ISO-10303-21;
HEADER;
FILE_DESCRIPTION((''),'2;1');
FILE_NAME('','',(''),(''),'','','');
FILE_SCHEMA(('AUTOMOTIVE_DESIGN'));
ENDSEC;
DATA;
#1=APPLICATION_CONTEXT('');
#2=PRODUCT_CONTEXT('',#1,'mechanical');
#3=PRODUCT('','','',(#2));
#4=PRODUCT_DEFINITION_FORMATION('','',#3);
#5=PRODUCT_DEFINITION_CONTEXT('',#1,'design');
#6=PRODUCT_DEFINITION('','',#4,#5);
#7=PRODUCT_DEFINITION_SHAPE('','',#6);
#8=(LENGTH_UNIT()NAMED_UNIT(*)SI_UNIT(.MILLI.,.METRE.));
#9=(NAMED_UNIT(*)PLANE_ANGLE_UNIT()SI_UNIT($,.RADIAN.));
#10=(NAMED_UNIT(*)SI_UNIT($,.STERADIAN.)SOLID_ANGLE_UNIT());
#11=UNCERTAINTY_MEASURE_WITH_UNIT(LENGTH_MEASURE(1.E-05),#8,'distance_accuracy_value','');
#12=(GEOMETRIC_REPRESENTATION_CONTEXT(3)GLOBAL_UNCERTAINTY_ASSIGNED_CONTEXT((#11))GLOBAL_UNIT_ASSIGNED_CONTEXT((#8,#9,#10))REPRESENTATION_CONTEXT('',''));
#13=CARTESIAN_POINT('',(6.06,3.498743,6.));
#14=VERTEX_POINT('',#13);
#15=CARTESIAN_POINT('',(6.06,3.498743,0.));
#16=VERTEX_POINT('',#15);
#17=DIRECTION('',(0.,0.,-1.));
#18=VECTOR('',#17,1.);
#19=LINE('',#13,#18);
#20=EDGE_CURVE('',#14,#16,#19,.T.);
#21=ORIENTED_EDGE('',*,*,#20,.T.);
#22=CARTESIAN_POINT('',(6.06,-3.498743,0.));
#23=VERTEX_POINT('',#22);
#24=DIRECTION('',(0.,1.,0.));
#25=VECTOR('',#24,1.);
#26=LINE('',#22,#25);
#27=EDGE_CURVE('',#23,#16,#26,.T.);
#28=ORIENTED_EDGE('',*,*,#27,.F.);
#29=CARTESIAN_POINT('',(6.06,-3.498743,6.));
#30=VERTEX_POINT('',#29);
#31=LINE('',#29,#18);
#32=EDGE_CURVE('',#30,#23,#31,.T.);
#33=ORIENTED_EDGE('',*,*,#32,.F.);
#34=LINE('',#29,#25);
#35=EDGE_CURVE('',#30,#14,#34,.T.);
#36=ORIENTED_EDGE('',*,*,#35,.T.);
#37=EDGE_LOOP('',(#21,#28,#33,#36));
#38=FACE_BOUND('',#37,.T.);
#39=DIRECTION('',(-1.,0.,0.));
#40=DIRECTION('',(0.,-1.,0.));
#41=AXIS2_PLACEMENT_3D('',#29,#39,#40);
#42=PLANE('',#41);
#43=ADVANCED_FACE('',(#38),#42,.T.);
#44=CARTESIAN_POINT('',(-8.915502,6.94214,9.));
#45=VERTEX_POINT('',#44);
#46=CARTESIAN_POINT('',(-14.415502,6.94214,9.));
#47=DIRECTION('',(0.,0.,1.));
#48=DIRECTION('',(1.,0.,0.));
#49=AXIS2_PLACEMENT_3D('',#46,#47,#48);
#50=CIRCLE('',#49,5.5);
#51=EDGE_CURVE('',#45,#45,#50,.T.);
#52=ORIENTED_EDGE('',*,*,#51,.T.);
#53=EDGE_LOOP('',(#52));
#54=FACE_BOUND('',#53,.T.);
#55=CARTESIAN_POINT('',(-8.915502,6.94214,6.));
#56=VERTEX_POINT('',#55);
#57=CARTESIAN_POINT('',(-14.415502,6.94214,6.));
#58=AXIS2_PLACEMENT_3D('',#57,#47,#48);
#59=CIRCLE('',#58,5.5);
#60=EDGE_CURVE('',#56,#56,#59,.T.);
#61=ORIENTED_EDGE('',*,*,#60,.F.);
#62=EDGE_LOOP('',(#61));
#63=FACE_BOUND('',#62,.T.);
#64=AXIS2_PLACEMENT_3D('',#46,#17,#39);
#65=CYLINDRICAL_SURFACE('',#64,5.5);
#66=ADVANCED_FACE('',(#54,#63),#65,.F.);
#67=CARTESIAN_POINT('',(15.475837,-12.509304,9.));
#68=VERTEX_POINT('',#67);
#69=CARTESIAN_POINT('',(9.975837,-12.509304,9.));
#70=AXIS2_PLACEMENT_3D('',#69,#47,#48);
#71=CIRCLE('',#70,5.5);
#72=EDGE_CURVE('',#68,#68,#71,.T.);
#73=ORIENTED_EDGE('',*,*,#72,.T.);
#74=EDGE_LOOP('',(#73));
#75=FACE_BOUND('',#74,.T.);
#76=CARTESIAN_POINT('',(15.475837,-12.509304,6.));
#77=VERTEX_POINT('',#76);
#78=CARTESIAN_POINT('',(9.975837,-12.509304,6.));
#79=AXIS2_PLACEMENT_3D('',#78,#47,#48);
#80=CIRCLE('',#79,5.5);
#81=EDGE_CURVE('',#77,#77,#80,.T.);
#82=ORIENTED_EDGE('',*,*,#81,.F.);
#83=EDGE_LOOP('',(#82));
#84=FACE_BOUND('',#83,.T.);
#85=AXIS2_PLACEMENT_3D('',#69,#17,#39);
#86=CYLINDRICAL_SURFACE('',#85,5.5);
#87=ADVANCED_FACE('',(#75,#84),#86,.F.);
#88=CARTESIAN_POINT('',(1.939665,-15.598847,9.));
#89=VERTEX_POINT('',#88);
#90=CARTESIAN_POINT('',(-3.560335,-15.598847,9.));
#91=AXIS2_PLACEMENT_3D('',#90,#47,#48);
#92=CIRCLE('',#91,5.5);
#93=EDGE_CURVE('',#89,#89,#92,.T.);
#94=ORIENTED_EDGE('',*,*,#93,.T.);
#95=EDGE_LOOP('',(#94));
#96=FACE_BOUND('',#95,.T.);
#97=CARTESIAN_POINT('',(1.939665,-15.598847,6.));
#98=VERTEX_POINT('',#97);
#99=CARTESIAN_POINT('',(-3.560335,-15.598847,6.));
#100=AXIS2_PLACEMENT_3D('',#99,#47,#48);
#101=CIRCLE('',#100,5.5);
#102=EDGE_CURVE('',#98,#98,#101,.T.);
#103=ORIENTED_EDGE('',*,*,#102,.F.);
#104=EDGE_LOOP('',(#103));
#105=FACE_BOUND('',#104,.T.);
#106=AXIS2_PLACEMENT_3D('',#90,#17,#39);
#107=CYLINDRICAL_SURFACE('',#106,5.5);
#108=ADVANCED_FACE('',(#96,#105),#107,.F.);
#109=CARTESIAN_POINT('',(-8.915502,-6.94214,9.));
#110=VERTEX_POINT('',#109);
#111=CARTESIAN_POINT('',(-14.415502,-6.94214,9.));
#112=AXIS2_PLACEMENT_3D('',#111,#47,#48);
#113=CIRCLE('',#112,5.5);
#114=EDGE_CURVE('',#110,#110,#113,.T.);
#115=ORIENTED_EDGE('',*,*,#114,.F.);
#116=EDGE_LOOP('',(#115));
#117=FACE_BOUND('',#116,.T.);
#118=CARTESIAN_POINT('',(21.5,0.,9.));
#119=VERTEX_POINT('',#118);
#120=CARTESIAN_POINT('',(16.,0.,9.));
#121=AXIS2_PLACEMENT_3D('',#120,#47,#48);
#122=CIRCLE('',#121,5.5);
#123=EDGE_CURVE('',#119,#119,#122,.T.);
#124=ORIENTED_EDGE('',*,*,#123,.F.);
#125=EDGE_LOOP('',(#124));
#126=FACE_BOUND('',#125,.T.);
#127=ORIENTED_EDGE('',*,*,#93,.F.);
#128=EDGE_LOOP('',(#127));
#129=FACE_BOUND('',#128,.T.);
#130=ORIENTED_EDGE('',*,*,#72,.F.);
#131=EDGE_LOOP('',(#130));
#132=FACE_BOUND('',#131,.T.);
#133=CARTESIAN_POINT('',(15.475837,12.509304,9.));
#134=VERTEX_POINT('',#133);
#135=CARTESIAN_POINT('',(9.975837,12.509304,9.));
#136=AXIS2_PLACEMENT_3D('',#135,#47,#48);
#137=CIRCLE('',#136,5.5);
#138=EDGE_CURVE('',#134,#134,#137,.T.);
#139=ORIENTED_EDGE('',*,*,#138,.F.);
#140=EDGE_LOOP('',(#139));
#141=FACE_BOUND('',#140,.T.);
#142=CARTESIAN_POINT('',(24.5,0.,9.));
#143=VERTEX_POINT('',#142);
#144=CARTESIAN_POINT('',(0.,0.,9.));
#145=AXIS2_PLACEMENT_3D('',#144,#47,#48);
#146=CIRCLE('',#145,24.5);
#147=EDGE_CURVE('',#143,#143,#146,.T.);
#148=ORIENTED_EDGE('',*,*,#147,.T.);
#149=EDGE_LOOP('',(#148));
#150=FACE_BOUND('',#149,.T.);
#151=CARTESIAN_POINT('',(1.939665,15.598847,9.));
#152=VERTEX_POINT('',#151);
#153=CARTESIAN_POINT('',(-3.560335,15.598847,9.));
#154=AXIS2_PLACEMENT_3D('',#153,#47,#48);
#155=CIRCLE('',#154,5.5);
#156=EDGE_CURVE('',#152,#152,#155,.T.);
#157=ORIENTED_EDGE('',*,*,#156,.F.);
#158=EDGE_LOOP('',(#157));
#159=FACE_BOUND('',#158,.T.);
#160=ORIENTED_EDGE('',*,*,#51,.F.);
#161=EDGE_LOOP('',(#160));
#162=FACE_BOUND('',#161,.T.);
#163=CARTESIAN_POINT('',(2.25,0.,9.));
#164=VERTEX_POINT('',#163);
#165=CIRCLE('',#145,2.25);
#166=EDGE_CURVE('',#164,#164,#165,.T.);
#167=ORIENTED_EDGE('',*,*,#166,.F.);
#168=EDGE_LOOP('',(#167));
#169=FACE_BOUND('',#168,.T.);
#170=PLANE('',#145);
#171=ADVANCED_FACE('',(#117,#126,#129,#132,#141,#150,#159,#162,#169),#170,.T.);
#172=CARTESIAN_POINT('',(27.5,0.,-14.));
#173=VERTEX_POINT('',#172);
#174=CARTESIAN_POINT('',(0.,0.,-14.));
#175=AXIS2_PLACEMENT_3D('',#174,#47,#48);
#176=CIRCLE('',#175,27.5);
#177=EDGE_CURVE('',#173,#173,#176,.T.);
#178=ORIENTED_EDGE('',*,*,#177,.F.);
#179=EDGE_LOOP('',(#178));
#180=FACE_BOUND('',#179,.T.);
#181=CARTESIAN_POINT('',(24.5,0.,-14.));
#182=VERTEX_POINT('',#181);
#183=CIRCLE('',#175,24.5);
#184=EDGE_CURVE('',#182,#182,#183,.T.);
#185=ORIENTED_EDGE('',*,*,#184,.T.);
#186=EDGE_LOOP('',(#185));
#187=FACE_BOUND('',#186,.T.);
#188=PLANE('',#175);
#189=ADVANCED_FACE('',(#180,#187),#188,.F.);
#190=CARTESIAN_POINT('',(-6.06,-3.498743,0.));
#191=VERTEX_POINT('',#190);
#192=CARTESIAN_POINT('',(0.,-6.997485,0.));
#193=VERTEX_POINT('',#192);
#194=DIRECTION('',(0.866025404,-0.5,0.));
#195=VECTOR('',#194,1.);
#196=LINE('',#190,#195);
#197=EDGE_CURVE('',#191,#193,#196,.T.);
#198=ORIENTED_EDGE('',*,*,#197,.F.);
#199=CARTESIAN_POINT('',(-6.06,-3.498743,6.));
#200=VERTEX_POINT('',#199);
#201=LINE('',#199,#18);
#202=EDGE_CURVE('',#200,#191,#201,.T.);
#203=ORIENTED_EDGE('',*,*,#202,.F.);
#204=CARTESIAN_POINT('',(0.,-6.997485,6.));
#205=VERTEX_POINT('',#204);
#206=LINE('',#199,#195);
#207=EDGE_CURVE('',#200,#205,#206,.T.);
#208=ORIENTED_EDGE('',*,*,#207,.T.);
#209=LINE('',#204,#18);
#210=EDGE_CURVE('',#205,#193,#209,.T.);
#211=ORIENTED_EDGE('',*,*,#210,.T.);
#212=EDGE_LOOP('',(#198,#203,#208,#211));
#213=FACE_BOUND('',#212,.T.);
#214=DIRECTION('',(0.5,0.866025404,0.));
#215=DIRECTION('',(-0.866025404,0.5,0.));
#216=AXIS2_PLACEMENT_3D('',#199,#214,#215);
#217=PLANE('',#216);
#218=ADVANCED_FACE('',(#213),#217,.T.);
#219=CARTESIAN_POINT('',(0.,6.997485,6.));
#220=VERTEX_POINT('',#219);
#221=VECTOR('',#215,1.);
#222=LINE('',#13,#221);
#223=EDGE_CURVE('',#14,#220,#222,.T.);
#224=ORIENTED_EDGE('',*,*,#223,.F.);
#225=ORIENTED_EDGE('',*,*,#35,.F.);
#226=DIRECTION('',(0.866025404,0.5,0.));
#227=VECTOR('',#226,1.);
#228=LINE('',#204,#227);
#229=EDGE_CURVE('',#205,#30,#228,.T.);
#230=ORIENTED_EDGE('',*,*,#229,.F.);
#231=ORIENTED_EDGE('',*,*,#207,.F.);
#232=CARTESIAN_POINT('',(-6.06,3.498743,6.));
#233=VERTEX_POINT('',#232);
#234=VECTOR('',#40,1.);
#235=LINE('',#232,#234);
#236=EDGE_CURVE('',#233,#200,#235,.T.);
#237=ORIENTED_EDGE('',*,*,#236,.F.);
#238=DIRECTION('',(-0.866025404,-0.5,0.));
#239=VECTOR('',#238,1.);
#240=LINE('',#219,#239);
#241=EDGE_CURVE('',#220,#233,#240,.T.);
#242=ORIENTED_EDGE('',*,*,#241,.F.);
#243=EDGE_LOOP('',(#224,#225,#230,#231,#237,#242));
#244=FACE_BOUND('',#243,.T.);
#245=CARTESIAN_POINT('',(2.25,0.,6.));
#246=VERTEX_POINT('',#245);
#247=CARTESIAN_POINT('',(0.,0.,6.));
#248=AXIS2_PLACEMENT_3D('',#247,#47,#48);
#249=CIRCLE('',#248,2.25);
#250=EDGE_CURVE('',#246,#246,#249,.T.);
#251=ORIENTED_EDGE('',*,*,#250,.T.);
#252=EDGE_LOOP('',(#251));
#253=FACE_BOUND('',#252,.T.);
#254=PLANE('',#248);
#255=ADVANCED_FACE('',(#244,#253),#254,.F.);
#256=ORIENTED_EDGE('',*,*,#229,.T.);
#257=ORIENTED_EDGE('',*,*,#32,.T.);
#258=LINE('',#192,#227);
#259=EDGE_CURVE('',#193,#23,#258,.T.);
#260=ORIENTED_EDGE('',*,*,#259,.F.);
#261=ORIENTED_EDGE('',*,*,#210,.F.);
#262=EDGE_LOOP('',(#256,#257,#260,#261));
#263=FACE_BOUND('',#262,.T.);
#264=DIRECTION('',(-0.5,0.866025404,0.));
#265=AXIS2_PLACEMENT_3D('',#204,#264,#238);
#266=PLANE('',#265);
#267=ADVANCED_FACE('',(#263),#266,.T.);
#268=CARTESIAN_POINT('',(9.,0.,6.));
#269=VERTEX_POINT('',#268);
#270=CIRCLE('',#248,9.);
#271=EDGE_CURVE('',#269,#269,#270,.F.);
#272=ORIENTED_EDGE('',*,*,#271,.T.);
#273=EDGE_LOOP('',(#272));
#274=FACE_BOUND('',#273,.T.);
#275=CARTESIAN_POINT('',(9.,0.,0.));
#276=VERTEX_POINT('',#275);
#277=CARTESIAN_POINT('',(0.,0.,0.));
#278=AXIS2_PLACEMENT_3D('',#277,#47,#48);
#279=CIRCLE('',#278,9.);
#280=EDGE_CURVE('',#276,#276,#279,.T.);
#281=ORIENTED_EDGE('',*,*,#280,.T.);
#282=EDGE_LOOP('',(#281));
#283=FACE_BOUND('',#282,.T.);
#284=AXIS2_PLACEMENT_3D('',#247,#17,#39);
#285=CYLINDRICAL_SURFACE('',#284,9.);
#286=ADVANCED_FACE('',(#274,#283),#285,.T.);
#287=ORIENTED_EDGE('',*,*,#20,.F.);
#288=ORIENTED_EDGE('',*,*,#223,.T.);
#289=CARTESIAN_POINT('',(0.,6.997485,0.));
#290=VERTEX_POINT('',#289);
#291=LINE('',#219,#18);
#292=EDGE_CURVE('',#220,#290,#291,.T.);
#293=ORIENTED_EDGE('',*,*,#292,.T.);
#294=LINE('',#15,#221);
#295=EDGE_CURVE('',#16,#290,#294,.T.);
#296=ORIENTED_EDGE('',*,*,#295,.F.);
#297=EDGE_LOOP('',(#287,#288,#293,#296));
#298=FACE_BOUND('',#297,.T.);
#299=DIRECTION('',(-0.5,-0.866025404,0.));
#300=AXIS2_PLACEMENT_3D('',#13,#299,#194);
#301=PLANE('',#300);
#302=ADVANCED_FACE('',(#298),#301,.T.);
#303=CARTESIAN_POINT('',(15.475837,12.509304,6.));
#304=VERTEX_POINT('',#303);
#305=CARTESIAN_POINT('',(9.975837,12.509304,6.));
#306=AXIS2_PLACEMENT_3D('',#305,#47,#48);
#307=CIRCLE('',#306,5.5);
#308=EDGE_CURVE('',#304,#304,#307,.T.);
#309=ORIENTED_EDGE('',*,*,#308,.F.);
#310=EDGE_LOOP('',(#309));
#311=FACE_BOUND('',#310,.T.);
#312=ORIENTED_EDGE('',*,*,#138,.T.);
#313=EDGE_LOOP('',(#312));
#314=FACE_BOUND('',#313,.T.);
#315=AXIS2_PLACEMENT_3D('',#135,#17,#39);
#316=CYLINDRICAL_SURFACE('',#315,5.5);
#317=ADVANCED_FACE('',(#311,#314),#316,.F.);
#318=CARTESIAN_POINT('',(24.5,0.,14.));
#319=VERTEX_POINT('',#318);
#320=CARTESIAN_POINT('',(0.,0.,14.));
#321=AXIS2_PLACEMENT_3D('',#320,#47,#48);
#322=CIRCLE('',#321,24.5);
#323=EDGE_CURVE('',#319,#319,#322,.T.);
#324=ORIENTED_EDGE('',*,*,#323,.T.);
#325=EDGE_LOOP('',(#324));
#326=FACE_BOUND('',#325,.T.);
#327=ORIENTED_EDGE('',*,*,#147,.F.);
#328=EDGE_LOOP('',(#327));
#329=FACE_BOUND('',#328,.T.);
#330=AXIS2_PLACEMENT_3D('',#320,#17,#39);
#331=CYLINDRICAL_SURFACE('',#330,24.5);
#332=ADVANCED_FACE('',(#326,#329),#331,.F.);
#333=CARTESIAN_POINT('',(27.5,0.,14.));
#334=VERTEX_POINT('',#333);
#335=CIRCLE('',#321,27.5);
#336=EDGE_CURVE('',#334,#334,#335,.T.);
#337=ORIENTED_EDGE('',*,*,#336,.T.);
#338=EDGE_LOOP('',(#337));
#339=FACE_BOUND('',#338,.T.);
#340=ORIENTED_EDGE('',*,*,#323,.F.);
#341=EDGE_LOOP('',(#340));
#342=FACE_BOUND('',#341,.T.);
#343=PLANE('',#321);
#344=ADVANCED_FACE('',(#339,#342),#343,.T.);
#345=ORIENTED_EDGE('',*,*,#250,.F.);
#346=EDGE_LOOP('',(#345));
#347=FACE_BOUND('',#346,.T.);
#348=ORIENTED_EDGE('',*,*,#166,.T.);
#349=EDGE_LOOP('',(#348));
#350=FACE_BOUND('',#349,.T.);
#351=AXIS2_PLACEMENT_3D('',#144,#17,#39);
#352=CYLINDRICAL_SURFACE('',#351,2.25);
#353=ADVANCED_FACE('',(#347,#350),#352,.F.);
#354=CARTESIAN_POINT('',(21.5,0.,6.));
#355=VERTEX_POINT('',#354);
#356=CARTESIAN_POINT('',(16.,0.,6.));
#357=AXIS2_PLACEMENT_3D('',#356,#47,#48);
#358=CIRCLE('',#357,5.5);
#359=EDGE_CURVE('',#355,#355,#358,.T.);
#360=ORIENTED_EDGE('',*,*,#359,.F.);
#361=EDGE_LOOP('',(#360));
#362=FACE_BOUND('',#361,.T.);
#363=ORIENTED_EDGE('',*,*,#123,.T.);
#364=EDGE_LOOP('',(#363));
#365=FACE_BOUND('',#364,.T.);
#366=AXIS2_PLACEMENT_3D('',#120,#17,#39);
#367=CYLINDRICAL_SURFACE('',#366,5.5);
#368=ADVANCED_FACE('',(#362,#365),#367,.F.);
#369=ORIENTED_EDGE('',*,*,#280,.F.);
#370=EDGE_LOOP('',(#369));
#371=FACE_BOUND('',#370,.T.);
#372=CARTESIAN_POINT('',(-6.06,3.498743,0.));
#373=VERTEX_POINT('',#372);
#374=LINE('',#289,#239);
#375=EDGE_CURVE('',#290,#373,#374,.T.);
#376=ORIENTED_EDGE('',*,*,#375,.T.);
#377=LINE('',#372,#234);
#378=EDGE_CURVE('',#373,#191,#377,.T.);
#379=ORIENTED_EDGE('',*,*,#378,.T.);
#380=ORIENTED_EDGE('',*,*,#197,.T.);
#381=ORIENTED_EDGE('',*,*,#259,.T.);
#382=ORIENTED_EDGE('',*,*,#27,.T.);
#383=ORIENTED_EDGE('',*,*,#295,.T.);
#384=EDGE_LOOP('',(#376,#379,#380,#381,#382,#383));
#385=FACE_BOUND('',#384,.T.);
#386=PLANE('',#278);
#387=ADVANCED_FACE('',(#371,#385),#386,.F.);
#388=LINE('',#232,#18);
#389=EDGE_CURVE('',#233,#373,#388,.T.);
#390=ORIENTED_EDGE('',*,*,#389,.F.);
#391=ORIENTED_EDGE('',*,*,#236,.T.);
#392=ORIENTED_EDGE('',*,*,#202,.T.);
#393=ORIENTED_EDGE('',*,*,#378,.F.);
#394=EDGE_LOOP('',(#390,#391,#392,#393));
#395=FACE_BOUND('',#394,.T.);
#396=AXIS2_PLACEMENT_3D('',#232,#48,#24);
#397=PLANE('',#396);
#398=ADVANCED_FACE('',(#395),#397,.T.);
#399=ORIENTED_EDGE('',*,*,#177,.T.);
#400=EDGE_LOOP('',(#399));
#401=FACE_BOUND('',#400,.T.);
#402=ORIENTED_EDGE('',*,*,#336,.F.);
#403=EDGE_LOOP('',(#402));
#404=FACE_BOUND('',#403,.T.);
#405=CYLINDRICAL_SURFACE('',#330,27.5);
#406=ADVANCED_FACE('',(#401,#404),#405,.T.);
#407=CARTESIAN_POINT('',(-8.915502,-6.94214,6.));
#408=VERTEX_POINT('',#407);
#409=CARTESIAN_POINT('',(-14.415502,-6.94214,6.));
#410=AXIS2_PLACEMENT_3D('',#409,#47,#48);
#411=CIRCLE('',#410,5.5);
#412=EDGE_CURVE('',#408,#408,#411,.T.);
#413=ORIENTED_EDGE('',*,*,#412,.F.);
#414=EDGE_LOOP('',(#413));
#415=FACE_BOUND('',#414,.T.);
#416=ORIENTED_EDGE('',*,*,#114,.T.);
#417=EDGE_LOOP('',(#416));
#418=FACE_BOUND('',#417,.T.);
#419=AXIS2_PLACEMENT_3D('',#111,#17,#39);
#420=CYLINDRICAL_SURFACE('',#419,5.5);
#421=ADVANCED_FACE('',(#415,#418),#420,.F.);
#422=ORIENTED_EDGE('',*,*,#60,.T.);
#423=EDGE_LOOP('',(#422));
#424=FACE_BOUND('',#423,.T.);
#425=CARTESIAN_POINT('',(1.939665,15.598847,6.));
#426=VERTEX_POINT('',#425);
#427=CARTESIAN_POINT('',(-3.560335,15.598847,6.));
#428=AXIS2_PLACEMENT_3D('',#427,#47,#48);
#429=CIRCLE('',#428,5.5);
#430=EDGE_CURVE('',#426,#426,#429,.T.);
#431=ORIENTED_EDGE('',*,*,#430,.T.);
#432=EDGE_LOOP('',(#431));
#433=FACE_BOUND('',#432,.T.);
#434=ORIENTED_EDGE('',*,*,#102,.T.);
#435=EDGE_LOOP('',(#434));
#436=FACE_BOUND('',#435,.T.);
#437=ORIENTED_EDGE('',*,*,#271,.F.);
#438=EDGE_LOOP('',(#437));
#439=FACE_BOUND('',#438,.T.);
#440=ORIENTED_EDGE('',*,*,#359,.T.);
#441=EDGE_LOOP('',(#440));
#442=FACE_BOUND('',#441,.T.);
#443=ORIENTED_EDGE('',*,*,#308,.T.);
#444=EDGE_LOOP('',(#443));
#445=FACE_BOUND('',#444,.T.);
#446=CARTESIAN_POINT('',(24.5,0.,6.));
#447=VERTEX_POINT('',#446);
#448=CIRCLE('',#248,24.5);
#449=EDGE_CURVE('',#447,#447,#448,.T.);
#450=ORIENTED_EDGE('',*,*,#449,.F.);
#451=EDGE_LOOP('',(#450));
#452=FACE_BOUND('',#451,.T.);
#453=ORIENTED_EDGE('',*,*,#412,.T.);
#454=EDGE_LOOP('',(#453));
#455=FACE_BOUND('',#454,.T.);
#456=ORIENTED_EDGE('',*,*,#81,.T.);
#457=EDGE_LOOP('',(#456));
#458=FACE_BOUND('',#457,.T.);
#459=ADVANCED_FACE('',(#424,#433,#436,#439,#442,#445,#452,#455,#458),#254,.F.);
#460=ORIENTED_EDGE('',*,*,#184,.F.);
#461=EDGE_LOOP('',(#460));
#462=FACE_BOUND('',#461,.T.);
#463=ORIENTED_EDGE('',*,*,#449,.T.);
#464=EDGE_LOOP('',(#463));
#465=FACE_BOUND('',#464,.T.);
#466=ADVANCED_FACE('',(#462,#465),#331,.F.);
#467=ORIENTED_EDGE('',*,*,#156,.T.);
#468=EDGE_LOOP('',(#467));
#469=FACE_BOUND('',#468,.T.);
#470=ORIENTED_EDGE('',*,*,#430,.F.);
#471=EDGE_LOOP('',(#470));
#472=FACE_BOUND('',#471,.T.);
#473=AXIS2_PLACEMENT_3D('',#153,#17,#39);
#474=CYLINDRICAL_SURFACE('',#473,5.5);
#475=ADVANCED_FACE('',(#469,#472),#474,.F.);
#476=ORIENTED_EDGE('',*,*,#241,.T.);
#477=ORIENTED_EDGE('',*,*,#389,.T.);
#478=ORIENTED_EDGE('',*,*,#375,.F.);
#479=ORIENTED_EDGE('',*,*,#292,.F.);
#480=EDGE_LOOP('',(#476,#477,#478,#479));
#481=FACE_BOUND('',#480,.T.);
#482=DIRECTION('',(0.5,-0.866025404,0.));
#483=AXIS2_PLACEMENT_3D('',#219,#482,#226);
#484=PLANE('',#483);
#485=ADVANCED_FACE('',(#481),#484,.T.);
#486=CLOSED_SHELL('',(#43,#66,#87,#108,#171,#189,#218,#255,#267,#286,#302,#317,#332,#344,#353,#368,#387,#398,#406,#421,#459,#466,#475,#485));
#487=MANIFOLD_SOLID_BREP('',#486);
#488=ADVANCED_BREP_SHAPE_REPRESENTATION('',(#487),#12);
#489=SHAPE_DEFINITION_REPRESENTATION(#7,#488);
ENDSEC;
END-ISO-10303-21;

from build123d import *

# Parameters (mm, degrees)
RIM_BARREL_START  = -14
PROFILE_1_R       = 27.5
PROFILE_1_R_2     = 24.5
RIM_BARREL_DEPTH  = 28
SPOKE_WEB_START   = 6
PROFILE_2_R       = 25
PROFILE_2_R_2     = 2.25
PROFILE_2_R_3     = 5.5
SPOKE_WEB_DEPTH   = 3
PROFILE_3_R       = 9
AF12_SOCKET_DEPTH = 6


with BuildPart() as part:
    # Profile_1 → Rim_barrel (new body)
    with BuildSketch(Plane.XY.offset(RIM_BARREL_START)):
        Circle(PROFILE_1_R)
        Circle(PROFILE_1_R_2, mode=Mode.SUBTRACT)
    extrude(amount=RIM_BARREL_DEPTH)

    # Profile_2 → Spoke_web (add)
    with BuildSketch(Plane.XY.offset(SPOKE_WEB_START)):
        Circle(PROFILE_2_R)
        Circle(PROFILE_2_R_2, mode=Mode.SUBTRACT)
        with Locations((16, 0)):
            Circle(PROFILE_2_R_3, mode=Mode.SUBTRACT)
        with Locations((9.97583683, 12.509303719)):
            Circle(PROFILE_2_R_3, mode=Mode.SUBTRACT)
        with Locations((-3.560334943, 15.598846595)):
            Circle(PROFILE_2_R_3, mode=Mode.SUBTRACT)
        with Locations((-14.415501886, 6.942139826)):
            Circle(PROFILE_2_R_3, mode=Mode.SUBTRACT)
        with Locations((-14.415501886, -6.942139826)):
            Circle(PROFILE_2_R_3, mode=Mode.SUBTRACT)
        with Locations((-3.560334943, -15.598846595)):
            Circle(PROFILE_2_R_3, mode=Mode.SUBTRACT)
        with Locations((9.97583683, -12.509303719)):
            Circle(PROFILE_2_R_3, mode=Mode.SUBTRACT)
    extrude(amount=SPOKE_WEB_DEPTH)

    # Profile_3 → AF12_socket (add)
    with BuildSketch(Plane.XY):
        Circle(PROFILE_3_R)
        Polygon((6.06, 3.498742631), (0, 6.997485263), (-6.06, 3.498742631), (-6.06, -3.498742631), (0, -6.997485263), (6.06, -3.498742631), align=None, mode=Mode.SUBTRACT)
    extrude(amount=AF12_SOCKET_DEPTH)


solid = part.part
